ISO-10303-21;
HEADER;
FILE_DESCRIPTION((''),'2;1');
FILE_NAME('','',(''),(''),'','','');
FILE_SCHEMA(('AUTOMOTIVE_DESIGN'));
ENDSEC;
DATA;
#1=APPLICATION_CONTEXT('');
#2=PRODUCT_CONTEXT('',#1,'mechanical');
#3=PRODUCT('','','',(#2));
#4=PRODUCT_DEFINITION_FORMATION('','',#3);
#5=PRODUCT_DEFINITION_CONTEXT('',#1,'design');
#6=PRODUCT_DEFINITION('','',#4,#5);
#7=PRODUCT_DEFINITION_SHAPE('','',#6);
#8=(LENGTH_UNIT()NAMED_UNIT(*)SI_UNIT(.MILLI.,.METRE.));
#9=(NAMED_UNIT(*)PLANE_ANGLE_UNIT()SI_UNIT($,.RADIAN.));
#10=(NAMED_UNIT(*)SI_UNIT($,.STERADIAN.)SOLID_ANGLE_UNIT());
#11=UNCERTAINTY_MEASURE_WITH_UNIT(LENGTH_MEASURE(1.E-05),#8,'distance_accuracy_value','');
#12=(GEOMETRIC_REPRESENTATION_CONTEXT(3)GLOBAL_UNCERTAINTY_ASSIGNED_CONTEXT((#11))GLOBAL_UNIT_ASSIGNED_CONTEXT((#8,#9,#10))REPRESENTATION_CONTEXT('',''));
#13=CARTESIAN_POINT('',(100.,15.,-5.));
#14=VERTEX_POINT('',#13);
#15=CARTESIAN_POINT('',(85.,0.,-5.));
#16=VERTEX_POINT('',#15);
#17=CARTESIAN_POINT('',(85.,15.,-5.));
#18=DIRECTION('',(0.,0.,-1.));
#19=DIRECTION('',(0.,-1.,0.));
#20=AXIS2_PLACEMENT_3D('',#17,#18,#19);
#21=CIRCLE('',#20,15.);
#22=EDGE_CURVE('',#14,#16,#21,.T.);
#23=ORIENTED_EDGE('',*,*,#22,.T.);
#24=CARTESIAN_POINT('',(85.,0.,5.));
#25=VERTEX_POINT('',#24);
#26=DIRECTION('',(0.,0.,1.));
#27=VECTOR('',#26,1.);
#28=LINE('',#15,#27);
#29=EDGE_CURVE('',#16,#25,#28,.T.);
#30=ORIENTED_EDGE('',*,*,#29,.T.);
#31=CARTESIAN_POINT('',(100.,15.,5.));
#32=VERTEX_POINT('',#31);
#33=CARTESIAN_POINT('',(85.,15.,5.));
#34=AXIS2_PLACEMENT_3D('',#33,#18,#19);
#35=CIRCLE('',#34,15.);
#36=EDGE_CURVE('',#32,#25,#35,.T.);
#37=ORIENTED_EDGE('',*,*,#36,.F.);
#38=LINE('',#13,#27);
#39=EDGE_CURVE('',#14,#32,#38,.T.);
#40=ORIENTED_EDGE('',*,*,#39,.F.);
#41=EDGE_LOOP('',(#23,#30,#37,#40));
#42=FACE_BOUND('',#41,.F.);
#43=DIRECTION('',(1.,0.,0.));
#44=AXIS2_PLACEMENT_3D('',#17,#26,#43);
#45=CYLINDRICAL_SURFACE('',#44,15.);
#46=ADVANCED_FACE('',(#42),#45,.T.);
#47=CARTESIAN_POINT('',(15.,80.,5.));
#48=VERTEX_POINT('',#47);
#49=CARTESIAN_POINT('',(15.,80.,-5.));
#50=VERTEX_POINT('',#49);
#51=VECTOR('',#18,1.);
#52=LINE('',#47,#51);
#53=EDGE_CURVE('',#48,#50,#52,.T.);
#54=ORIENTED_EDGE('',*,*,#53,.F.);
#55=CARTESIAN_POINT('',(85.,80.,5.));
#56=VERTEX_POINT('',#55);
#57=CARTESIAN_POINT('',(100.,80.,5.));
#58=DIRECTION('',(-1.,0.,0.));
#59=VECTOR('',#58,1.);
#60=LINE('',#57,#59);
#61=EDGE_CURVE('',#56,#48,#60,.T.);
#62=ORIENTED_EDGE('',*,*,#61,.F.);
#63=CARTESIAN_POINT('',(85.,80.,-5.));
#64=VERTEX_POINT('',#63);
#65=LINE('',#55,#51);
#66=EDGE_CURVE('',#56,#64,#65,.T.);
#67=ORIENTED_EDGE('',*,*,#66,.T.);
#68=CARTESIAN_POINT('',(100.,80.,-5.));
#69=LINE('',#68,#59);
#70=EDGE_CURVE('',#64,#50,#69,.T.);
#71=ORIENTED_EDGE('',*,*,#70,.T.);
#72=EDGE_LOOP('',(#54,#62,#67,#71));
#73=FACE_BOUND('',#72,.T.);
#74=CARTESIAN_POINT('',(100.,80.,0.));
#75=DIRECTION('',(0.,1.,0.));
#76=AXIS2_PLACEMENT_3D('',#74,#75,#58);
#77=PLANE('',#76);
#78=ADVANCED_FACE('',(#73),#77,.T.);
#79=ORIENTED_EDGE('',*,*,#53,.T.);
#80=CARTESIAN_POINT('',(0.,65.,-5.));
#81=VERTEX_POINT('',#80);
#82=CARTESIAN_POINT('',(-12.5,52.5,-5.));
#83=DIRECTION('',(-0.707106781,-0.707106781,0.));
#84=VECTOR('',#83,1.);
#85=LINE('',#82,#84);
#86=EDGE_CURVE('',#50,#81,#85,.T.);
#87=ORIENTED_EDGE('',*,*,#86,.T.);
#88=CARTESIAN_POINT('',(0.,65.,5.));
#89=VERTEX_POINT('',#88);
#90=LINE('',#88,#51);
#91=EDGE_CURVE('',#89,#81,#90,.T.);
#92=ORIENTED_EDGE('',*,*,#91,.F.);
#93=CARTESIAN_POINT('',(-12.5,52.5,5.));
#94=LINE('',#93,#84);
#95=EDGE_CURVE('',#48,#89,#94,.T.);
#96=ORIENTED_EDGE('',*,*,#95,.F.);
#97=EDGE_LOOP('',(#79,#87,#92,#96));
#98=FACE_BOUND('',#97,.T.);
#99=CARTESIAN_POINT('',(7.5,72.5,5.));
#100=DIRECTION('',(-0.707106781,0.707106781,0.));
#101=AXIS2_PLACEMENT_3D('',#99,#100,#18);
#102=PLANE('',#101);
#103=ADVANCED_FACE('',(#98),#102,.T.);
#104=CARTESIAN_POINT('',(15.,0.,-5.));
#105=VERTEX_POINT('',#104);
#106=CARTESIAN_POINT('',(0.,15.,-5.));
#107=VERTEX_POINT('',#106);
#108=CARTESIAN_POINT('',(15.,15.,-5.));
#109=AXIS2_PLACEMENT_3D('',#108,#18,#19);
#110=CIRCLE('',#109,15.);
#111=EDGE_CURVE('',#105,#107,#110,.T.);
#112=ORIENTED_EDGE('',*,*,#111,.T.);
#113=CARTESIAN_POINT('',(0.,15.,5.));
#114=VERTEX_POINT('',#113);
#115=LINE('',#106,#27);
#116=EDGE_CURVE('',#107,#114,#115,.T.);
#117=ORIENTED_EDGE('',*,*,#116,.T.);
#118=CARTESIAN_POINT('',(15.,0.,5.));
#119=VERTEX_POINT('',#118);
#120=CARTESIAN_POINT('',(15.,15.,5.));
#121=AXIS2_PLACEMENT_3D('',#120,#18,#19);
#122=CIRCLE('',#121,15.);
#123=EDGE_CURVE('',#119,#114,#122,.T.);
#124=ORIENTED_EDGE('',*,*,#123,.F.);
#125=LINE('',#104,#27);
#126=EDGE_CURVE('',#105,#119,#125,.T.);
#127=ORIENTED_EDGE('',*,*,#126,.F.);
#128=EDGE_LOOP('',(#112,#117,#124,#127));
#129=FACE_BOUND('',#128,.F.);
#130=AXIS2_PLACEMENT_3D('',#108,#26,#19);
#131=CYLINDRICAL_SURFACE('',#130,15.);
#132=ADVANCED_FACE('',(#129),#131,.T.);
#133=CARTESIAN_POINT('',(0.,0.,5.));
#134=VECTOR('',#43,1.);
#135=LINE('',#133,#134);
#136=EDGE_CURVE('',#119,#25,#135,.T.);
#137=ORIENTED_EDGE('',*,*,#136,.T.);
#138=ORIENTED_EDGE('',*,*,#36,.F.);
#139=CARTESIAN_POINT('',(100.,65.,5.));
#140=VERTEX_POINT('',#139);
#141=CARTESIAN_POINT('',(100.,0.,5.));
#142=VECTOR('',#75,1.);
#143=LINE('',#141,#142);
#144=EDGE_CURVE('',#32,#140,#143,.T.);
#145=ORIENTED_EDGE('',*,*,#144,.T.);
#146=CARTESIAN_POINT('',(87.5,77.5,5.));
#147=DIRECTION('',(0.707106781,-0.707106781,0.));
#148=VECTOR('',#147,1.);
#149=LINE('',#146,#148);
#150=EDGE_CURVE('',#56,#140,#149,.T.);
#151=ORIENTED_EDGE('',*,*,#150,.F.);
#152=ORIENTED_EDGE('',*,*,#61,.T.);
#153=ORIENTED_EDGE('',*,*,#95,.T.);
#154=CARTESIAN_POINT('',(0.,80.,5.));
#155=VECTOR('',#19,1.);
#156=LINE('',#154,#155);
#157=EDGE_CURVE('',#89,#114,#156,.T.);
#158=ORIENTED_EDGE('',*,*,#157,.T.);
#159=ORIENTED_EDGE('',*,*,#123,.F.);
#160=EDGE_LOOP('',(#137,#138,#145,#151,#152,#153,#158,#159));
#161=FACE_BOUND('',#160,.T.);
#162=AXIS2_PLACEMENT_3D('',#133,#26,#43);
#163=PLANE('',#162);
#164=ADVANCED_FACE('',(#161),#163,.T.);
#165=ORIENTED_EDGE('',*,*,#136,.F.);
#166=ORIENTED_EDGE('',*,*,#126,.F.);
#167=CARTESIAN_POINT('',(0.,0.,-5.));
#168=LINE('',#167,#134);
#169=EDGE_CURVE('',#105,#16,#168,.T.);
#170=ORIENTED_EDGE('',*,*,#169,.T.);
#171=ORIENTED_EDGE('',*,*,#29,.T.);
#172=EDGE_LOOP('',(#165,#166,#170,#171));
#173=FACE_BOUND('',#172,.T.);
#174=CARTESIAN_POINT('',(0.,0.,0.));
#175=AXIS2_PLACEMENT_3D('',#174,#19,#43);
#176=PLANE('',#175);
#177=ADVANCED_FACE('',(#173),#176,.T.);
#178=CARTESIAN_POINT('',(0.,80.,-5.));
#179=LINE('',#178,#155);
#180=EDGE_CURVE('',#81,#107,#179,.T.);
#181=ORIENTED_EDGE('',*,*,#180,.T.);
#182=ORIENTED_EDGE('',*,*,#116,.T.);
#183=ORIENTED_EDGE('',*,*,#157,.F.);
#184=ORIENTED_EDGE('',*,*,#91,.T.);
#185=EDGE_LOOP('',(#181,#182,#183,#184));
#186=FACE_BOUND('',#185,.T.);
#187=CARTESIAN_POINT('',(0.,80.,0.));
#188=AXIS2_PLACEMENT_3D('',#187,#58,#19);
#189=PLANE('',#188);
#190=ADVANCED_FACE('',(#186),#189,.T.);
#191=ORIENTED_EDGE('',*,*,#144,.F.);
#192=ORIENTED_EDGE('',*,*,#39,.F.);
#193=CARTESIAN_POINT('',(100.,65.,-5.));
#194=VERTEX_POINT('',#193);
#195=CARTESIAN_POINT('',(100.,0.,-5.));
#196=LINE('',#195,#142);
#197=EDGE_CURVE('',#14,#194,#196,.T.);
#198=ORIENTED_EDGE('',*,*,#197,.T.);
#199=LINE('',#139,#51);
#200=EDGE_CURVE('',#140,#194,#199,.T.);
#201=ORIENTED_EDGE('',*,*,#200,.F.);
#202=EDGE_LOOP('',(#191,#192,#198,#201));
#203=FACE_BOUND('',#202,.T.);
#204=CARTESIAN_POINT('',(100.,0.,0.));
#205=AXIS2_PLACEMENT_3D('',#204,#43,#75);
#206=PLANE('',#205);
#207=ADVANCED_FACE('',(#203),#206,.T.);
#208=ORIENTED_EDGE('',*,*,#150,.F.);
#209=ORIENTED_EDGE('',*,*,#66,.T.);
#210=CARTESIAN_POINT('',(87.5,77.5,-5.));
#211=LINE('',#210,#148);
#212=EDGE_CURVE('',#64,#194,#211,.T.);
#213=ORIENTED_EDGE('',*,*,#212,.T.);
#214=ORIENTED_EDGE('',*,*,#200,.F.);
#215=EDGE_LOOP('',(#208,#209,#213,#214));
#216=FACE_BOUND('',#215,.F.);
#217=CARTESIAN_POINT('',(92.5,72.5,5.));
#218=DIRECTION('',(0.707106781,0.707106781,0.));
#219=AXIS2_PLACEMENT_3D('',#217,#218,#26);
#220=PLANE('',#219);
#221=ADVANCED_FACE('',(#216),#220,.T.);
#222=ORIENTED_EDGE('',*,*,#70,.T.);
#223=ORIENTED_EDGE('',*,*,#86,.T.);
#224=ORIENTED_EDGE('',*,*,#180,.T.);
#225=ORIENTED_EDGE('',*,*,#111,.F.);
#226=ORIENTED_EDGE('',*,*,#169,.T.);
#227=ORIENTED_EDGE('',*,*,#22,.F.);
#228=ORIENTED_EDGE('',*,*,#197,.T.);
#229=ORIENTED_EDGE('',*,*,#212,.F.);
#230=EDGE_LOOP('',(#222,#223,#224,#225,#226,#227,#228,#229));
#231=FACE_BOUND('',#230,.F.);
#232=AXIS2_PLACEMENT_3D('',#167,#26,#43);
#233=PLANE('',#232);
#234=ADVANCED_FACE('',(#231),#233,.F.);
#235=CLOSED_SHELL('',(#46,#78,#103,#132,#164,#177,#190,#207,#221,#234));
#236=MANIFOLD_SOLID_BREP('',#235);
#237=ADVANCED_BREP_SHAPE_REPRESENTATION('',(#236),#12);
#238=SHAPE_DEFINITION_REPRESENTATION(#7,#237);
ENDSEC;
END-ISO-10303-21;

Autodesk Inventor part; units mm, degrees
ref_plane "YZ Plane" through (0, 0, 0) normal (1, 0, 0) x (0, 1, 0)
ref_plane "XZ Plane" through (0, 0, 0) normal (0, 1, 0) x (-1, 0, 0)
ref_plane "XY Plane" through (0, 0, 0) normal (0, 0, 1) x (1, 0, 0)
sketch "Sketch1" plane through (0, 0, 0) normal (0, 0, 1) x (1, 0, 0)
  line L0 (0, 0) -> (100, 0)
  line L1 (100, 0) -> (100, 80)
  line L2 (100, 80) -> (0, 80)
  line L3 (0, 80) -> (0, 0)
  circle A0 centre (15, 15) radius 5
  circle A1 centre (85, 15) radius 5
  circle A2 centre (85, 65) radius 5
  circle A3 centre (15, 65) radius 5
  dimension "d0" = 100
  dimension "d1" = 80
  dimension "d12" = 10
  dimension "d13" = 10
  dimension "d14" = 10
  dimension "d15" = 10
  dimension "d17" = 15
  dimension "d18" = 15
  dimension "d19" = 15
  dimension "d20" = 15
  dimension "d21" = 15
  dimension "d22" = 15
  dimension "d23" = 15
  dimension "d24" = 15
extrude "Extrusion1" add sketch "Sketch1" along normal mid plane 10 contours L3 L2 L1 L0 | A0 | A1 | A2 | A3
sketch "Sketch2" plane through (0, 0, 5) normal (0, 0, 1) x (1, 0, 0)
  point P0 (0, 0)
chamfer "Chamfer1" distance 15 angle 45 1 edges at (100, 80, 0)
chamfer "Chamfer2" distance 15 angle 45 1 edges at (0, 80, 0)
fillet "Fillet1" radius 15 1 edges at (100, 0, 0)
fillet "Fillet2" radius 15 1 edges at (0, 0, 0)
sketch "Sketch3" plane through (0, 0, 5) normal (0, 0, 1) x (1, 0, 0)
  point P0 (0, 0)
